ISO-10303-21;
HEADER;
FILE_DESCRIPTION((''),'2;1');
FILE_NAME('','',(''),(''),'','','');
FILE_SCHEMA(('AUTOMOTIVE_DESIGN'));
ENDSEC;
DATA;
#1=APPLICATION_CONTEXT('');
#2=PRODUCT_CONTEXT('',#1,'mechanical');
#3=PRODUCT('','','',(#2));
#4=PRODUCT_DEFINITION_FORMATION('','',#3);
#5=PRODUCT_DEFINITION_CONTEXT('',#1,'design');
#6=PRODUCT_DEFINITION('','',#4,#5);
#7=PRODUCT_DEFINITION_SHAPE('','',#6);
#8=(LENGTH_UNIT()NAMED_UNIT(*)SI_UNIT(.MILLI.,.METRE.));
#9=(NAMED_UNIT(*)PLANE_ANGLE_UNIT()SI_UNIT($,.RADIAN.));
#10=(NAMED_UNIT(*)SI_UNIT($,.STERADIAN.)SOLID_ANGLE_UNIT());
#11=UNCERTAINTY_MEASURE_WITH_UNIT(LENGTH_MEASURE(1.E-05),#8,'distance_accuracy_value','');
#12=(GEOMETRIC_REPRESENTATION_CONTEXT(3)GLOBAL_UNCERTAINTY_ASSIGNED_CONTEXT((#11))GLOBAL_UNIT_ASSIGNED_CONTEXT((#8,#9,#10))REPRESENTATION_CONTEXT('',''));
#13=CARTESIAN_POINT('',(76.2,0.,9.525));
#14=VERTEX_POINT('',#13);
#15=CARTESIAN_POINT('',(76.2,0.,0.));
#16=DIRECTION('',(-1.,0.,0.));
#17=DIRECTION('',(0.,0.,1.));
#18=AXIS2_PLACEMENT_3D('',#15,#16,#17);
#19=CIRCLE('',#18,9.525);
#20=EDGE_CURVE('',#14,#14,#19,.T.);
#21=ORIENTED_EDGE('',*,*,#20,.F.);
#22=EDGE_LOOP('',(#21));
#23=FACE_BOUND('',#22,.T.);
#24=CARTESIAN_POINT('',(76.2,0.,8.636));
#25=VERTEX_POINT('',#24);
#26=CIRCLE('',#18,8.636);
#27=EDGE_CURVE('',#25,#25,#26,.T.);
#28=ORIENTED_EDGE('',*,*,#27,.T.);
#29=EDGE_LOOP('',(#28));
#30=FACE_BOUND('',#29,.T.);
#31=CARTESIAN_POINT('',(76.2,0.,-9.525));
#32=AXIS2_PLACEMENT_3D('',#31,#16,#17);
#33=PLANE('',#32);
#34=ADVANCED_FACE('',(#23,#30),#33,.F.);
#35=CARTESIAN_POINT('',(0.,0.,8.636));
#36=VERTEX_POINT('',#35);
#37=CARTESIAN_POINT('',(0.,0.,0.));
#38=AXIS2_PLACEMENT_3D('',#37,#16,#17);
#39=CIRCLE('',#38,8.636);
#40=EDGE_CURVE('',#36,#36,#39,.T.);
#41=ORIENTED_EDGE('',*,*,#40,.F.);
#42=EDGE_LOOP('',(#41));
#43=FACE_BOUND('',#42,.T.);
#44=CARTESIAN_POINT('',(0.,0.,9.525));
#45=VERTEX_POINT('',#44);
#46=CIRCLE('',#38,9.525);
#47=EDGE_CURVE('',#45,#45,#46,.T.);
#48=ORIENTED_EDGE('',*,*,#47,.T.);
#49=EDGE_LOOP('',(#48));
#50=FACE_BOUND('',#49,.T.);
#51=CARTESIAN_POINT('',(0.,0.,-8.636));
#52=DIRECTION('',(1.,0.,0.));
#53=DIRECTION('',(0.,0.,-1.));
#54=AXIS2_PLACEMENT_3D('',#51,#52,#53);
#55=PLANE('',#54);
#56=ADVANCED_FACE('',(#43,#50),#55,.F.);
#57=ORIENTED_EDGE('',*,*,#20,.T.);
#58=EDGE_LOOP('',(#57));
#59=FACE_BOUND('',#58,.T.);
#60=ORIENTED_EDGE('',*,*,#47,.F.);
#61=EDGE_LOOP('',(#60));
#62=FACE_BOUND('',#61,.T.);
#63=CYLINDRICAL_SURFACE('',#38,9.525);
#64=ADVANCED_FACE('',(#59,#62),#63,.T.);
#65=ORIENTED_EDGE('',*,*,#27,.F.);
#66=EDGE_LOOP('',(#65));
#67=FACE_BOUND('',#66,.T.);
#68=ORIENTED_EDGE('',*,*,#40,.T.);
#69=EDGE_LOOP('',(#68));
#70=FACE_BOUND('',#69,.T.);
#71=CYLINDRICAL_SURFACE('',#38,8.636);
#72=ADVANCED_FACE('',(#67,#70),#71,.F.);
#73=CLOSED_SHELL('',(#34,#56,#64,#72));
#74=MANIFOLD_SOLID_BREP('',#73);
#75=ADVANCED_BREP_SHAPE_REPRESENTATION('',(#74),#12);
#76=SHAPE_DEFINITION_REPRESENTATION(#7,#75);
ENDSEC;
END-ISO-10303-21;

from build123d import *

# Parameters (mm, degrees)
SKETCH1_W = 76.2
SKETCH1_H = 0.889


with BuildPart() as part:
    # Sketch1 → Revolve1 (revolve)
    with BuildSketch(Plane(origin=(0, 0, 0), x_dir=(1, 0, 0), z_dir=(0, 1, 0))):
        with Locations((38.1, 9.0805)):
            Rectangle(SKETCH1_W, SKETCH1_H)
    revolve(axis=Axis((0, 0, 0), (1, 0, 0)))


solid = part.part
